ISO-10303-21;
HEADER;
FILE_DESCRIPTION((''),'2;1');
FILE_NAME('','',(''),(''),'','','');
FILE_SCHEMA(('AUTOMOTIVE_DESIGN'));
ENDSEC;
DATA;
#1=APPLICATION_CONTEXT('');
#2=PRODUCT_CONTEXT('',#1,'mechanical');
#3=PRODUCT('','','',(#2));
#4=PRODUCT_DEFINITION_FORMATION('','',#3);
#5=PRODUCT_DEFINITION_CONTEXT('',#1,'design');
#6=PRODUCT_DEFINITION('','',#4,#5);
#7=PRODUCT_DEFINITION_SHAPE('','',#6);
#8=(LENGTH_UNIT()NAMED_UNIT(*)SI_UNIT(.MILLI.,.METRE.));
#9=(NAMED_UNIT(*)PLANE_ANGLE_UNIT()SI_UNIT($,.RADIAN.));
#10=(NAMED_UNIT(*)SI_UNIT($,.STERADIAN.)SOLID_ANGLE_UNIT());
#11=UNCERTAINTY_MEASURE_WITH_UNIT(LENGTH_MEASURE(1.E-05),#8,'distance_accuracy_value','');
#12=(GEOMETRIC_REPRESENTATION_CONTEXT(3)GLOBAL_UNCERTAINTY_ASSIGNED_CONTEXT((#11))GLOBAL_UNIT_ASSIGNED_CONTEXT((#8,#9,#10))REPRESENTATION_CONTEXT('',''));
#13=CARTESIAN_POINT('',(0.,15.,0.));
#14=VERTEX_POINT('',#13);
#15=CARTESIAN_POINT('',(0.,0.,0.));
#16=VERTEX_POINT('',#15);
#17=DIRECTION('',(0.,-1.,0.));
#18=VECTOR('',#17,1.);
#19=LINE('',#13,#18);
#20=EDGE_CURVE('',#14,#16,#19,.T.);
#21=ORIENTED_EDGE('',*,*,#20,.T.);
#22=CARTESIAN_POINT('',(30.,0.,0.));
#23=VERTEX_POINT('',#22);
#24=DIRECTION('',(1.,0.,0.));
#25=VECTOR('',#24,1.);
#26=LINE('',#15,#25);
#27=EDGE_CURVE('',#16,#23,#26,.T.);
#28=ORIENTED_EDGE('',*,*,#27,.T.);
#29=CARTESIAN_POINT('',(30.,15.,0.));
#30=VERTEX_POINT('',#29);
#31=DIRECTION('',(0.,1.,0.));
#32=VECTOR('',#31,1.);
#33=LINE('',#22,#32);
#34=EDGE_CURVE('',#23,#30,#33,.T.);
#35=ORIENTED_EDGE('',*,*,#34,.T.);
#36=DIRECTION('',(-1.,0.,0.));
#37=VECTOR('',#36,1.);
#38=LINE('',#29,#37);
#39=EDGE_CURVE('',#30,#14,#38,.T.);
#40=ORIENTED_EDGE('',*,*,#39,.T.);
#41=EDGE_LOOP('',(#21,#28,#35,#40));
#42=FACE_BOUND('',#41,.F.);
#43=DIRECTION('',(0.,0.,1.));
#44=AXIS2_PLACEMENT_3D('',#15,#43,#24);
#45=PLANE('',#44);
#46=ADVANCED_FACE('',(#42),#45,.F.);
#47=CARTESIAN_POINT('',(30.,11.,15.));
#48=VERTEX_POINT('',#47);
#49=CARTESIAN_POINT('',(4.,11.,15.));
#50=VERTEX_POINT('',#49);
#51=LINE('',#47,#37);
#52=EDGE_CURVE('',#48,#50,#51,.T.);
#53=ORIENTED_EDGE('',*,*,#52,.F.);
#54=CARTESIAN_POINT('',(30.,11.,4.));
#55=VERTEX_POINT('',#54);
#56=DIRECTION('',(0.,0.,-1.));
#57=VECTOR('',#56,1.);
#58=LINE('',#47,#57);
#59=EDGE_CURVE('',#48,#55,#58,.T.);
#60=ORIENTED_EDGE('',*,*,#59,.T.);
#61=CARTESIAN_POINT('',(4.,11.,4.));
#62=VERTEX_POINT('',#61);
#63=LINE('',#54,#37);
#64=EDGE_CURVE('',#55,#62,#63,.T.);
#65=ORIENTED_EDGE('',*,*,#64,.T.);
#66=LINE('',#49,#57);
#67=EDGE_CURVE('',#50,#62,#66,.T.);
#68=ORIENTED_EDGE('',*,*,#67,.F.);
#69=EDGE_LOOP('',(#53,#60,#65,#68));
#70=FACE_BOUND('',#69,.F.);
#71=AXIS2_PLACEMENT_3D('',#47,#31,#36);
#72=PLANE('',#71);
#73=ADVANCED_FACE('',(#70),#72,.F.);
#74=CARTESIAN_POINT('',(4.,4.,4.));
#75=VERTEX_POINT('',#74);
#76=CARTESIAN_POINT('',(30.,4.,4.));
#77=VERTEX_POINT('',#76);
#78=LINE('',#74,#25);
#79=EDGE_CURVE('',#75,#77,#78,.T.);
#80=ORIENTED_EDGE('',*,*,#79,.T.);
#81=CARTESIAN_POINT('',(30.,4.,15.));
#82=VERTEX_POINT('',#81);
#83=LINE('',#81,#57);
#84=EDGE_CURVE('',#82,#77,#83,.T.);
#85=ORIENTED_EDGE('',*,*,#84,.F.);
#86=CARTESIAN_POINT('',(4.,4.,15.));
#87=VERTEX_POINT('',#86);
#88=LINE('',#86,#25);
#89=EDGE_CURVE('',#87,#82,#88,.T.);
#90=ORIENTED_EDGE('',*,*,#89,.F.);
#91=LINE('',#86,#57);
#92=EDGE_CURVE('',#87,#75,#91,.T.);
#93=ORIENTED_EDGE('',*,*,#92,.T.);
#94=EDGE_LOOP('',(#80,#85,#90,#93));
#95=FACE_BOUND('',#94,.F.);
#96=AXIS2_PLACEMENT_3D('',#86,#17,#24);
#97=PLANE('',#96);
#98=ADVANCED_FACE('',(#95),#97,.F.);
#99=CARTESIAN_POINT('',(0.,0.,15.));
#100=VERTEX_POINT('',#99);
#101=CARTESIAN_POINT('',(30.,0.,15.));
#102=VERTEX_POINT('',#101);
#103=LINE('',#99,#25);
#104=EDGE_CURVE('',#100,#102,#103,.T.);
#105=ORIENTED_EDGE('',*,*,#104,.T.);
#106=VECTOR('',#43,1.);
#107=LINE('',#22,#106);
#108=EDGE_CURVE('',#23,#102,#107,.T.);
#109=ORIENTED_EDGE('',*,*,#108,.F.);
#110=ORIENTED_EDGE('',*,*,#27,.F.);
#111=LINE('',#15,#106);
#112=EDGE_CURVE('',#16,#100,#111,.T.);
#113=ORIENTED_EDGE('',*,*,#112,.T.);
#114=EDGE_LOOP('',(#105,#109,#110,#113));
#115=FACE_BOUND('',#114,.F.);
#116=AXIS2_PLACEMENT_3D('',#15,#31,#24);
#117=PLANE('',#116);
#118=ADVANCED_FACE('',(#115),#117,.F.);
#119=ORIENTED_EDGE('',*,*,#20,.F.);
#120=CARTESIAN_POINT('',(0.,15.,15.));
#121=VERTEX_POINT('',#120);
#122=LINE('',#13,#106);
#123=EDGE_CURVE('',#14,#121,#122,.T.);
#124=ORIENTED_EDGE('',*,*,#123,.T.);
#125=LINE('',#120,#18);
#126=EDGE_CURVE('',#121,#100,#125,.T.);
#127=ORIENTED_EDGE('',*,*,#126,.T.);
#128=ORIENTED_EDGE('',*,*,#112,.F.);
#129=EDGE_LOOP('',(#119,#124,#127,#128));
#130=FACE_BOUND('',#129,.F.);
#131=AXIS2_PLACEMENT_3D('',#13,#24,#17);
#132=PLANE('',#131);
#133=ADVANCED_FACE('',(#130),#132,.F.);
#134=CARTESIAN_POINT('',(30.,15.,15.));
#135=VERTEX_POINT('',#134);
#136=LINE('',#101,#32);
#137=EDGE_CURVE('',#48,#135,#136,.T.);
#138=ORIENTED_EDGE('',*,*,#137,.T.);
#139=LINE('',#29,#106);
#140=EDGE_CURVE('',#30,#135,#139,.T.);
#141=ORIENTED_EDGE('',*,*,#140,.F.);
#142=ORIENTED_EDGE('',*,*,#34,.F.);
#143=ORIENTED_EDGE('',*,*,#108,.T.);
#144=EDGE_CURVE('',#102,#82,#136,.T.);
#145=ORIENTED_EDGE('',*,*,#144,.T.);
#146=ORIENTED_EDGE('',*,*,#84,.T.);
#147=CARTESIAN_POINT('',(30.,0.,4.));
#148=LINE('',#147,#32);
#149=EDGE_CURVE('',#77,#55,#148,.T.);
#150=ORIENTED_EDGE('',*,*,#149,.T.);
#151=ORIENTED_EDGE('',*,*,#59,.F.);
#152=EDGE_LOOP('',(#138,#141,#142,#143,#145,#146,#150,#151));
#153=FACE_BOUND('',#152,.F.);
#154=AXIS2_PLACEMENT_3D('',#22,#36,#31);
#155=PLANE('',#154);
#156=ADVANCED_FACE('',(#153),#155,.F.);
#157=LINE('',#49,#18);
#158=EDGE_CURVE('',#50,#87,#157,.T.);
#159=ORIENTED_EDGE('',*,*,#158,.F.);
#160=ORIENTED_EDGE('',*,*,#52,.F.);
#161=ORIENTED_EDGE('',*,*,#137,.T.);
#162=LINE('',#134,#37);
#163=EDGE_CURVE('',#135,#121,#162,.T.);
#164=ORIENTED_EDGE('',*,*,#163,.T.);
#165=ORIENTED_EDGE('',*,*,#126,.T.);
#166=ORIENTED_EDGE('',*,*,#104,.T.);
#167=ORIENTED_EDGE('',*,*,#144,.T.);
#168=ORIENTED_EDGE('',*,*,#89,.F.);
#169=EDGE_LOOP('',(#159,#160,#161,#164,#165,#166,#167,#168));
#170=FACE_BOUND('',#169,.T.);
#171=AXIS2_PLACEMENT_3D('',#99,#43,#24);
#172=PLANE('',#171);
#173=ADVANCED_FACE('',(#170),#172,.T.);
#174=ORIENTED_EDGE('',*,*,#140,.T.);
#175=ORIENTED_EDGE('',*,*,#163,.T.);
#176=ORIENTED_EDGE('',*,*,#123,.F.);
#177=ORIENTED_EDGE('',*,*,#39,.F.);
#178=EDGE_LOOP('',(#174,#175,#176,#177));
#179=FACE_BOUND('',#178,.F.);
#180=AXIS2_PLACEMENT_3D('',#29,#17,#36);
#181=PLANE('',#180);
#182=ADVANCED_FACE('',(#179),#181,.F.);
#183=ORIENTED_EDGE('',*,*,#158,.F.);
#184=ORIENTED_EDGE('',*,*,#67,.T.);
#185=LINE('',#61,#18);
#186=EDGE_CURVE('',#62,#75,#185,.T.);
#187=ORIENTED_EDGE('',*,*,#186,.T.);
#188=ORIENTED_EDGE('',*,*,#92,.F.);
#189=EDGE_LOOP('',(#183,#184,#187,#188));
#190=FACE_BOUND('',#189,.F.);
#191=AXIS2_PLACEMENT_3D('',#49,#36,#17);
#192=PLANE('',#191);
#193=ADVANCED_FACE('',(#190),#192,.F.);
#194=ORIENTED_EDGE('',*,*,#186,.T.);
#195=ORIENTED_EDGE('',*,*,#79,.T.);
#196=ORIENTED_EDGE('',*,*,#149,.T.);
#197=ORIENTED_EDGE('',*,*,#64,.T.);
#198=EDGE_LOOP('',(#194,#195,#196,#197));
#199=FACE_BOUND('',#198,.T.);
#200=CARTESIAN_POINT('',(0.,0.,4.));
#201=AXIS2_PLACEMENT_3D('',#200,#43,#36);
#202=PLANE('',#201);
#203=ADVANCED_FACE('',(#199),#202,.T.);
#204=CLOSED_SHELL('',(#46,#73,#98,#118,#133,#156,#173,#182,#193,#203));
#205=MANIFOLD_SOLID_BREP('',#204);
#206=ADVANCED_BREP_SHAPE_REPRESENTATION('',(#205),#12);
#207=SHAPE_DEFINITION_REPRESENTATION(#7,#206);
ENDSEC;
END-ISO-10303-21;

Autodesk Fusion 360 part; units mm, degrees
sketch "Sorted Smarties Cover Connector Base" plane through (0, 0, 0) normal (0, 0, 1) x (1, 0, 0)
  line L0 (0, 0) -> (30, 0)
  line L1 (30, 0) -> (30, 15)
  line L2 (30, 15) -> (0, 15)
  line L3 (0, 15) -> (0, 0)
  dimension "d5" = 15
  dimension "d6" = 30
extrude "Extrude1" add sketch "Sorted Smarties Cover Connector Base" along normal blind 15
sketch "Connecting Section" plane through (0, 0, 15) normal (0, 0, 1) x (-1, 0, 0)
  line L0 (0, -15) -> (0, 0)
  line L1 (0, 0) -> (-30, 0)
  line L2 (-30, 0) -> (-30, -15)
  line L3 (-30, -15) -> (0, -15)
  line L4 (-30, -11) -> (-4, -11)
  line L5 (-4, -11) -> (-4, -4)
  line L6 (-4, -4) -> (-30, -4)
  line L7 (-30, -4) -> (-30, -11)
  dimension "d7" = 7
  dimension "d8" = 4
  dimension "d9" = 4
  dimension "d10" = 4
extrude "Extrude2" cut sketch "Connecting Section" against normal blind 11 contours L2 L4 L5 L6 L7
equation "d8 = ( ( 15 - 7 ) / 2 ) * 1 mm"
